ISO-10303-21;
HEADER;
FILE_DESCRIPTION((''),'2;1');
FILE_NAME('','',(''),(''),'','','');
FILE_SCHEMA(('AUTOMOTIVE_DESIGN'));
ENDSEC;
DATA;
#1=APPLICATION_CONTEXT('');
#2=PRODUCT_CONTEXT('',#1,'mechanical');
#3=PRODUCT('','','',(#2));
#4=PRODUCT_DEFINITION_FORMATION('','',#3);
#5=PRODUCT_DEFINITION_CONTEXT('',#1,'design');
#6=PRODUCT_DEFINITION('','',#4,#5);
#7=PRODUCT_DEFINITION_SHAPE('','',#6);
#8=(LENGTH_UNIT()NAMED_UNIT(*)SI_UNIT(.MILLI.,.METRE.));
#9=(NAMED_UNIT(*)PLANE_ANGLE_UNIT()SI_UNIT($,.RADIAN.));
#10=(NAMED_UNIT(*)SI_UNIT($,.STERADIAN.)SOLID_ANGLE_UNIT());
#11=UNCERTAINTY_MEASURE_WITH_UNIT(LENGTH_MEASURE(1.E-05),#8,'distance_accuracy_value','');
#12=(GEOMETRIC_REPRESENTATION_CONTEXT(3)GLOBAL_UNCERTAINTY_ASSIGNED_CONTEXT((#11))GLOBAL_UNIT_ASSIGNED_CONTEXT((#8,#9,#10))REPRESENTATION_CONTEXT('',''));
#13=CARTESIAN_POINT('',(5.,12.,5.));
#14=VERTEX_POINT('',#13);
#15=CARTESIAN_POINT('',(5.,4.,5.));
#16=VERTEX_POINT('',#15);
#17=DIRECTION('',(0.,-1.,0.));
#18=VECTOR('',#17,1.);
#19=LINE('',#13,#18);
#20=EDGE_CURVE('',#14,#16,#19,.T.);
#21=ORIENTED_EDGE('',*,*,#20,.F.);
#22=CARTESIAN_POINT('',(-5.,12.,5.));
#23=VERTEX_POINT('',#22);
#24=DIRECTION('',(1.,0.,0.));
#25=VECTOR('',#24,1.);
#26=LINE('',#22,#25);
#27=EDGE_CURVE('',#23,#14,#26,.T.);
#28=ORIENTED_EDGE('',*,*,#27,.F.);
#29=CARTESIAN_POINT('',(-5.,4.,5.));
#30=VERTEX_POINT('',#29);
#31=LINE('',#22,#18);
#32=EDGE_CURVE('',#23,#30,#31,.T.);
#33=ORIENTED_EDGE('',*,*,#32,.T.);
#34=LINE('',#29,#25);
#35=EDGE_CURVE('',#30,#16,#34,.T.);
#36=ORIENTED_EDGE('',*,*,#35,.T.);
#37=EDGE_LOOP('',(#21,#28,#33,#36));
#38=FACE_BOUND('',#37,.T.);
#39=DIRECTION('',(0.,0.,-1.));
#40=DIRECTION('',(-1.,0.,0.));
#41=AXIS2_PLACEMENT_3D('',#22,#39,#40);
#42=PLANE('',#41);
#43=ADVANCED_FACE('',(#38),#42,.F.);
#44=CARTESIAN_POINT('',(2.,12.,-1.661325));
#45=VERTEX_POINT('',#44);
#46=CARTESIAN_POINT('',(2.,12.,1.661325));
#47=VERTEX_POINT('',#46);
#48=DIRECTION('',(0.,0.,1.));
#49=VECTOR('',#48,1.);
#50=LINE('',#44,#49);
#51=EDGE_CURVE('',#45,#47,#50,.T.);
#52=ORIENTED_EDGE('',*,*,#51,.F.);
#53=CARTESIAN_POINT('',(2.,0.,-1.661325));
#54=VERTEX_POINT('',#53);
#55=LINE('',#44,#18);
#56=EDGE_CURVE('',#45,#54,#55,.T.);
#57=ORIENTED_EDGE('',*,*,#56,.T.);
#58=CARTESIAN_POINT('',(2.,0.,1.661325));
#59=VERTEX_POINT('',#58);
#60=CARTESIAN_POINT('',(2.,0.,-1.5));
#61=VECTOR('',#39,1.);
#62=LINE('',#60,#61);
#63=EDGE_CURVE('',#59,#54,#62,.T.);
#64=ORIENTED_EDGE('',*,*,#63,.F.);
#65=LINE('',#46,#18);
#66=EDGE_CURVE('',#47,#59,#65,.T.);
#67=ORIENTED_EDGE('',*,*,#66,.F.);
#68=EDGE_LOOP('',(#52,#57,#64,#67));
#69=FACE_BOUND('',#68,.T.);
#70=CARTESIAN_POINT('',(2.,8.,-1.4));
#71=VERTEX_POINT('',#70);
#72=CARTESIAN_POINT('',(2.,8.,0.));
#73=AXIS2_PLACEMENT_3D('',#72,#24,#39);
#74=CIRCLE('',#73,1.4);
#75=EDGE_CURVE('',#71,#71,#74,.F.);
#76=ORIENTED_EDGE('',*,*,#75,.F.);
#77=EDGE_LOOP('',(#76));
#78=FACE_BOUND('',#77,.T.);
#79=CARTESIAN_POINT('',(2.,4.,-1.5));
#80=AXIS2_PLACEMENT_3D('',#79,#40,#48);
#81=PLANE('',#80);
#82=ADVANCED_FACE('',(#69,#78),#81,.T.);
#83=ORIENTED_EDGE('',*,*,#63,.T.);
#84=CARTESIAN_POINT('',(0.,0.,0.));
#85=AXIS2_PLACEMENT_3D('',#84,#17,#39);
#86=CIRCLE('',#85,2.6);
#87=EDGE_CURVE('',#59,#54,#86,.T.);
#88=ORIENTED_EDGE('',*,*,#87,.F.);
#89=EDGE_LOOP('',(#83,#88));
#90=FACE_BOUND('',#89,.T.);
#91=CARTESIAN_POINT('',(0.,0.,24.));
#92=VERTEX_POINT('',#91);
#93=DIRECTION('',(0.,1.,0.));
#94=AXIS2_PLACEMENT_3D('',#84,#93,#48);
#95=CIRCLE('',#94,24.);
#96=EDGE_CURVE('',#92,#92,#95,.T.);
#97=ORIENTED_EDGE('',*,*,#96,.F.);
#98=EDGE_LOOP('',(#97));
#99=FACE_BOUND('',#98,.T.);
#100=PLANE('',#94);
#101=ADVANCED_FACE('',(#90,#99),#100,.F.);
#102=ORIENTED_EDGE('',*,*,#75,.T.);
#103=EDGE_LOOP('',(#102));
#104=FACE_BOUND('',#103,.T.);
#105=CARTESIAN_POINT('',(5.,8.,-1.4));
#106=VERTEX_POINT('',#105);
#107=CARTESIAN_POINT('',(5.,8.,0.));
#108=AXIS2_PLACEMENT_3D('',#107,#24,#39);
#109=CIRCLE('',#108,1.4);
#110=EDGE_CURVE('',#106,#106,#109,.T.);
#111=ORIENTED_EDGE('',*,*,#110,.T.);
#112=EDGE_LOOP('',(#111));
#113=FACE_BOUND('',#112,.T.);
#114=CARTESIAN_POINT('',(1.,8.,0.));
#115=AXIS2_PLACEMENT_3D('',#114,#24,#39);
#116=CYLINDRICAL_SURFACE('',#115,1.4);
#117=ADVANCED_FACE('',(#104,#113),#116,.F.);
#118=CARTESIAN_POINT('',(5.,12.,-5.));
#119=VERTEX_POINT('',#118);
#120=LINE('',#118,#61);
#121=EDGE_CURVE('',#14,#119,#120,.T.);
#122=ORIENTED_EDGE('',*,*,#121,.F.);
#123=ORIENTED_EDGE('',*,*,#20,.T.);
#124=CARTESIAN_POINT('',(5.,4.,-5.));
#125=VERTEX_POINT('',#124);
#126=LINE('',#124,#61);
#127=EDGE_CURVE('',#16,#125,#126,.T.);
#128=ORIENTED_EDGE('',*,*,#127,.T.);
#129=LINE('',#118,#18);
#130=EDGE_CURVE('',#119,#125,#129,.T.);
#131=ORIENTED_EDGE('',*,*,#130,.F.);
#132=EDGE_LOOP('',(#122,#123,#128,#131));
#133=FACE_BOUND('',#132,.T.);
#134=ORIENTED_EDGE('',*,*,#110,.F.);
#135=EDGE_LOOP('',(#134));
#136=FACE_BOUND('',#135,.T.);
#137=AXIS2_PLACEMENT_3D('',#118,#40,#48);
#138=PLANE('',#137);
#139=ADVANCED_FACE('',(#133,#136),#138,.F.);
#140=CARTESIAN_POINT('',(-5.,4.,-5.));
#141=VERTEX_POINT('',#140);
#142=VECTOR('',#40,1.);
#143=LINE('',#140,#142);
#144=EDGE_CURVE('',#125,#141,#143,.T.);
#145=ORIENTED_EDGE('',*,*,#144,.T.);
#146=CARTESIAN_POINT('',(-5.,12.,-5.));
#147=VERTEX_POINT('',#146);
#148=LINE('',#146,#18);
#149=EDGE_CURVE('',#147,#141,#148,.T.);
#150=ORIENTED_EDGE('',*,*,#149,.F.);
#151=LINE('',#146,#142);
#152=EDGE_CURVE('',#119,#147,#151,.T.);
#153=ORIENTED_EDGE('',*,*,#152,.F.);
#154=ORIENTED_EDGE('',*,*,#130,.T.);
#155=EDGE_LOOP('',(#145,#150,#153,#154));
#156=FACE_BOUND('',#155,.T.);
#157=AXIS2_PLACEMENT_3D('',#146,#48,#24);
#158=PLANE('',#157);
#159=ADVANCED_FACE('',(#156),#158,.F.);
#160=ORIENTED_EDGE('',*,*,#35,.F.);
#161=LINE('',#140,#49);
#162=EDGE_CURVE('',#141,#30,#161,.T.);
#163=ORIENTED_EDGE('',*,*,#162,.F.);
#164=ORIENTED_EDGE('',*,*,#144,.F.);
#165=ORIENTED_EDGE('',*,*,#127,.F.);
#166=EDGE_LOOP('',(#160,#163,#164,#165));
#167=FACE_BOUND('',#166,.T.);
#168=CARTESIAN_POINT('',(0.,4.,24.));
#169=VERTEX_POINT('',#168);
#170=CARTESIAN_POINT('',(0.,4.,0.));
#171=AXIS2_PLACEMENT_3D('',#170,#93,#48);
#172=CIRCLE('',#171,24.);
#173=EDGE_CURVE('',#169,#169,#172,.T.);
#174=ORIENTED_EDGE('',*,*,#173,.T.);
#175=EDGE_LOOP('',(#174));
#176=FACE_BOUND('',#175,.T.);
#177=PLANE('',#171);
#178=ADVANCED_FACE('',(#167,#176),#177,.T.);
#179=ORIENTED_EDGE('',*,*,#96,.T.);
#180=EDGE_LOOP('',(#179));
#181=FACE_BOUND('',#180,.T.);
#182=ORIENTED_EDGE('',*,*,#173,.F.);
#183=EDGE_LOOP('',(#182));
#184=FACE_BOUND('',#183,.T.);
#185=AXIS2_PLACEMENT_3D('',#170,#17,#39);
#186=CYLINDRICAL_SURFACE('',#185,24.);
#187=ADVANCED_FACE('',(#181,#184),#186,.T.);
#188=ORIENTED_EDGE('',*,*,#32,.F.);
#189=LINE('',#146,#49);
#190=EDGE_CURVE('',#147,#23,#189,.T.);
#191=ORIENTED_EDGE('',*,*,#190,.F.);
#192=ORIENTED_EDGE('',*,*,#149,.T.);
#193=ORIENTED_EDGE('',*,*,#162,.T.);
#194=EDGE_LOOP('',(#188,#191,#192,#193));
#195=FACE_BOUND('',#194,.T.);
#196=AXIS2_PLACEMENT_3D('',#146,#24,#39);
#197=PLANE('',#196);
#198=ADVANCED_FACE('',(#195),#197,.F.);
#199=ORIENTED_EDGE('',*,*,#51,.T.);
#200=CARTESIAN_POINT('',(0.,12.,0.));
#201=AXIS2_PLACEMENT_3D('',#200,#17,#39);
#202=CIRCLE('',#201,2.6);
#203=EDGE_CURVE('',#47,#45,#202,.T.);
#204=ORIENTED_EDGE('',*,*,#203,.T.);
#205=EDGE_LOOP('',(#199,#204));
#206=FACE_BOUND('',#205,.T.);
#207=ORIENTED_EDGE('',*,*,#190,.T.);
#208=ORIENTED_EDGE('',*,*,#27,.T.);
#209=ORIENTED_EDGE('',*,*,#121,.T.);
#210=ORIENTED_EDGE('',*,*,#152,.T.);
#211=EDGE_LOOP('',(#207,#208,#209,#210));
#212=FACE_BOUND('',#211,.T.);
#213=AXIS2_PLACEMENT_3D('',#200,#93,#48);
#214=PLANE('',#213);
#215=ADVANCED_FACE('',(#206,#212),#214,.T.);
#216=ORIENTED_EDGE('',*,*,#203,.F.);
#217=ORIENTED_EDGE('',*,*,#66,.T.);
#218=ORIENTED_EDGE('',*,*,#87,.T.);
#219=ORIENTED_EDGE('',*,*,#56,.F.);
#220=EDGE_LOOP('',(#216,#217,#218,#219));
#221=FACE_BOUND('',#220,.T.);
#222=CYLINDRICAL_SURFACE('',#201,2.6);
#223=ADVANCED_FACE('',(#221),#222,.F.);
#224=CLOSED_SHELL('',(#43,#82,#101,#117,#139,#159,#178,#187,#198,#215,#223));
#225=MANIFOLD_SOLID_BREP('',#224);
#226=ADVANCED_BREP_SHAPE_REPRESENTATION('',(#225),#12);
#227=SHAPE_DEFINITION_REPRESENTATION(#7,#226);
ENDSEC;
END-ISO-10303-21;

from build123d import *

# Parameters (mm, degrees)
SKETCH1_R               = 24
BOSS_EXTRUDE1_DEPTH     = 4
SKETCH2_W               = 10
SKETCH2_H               = 10
BOSS_EXTRUDE2_DEPTH     = 8
SKETCH4_R               = 1.4
CUT_EXTRUDE2_DEPTH      = 4
CUT_EXTRUDE3_DEPTH      = 35.871191548
CUT_EXTRUDE3_DEPTH_BACK = 35.871191548


with BuildPart() as part:
    # Sketch1 → Boss-Extrude1 (new body)
    with BuildSketch(Plane(origin=(0, 0, 0), x_dir=(1, 0, 0), z_dir=(0, 1, 0))):
        with Locations(Location((0, 0, 0), (0, 0, 270))):
            Circle(SKETCH1_R)
        with BuildLine():
            Line((2, 1.5), (2, -1.5))
            ThreePointArc((2, -1.5), (-2.5, 0), (2, 1.5))
        make_face(mode=Mode.SUBTRACT)
    extrude(amount=BOSS_EXTRUDE1_DEPTH)

    # Sketch2 → Boss-Extrude2 (add)
    with BuildSketch(Plane(origin=(0, 4, 0), x_dir=(1, 0, 0), z_dir=(0, 1, 0))):
        Rectangle(SKETCH2_W, SKETCH2_H)
    extrude(amount=BOSS_EXTRUDE2_DEPTH)

    # Sketch4 → Cut-Extrude2 (cut)
    with BuildSketch(Plane(origin=(5, 0, 0), x_dir=(0, 0, -1), z_dir=(1, 0, 0))):
        with Locations((0, 8)):
            Circle(SKETCH4_R)
    extrude(amount=-CUT_EXTRUDE2_DEPTH, mode=Mode.SUBTRACT)

    # Sketch3 → Cut-Extrude3 (cut, two sides: drawn at the far end of the back side and taken through both)
    with BuildSketch(Plane.XZ.offset(-4).offset(-CUT_EXTRUDE3_DEPTH_BACK)):
        with BuildLine():
            Line((2, -1.661324773), (2, 1.661324773))
            ThreePointArc((2, 1.661324773), (-2.6, 0), (2, -1.661324773))
        make_face()
    extrude(amount=CUT_EXTRUDE3_DEPTH + CUT_EXTRUDE3_DEPTH_BACK, mode=Mode.SUBTRACT)


solid = part.part
